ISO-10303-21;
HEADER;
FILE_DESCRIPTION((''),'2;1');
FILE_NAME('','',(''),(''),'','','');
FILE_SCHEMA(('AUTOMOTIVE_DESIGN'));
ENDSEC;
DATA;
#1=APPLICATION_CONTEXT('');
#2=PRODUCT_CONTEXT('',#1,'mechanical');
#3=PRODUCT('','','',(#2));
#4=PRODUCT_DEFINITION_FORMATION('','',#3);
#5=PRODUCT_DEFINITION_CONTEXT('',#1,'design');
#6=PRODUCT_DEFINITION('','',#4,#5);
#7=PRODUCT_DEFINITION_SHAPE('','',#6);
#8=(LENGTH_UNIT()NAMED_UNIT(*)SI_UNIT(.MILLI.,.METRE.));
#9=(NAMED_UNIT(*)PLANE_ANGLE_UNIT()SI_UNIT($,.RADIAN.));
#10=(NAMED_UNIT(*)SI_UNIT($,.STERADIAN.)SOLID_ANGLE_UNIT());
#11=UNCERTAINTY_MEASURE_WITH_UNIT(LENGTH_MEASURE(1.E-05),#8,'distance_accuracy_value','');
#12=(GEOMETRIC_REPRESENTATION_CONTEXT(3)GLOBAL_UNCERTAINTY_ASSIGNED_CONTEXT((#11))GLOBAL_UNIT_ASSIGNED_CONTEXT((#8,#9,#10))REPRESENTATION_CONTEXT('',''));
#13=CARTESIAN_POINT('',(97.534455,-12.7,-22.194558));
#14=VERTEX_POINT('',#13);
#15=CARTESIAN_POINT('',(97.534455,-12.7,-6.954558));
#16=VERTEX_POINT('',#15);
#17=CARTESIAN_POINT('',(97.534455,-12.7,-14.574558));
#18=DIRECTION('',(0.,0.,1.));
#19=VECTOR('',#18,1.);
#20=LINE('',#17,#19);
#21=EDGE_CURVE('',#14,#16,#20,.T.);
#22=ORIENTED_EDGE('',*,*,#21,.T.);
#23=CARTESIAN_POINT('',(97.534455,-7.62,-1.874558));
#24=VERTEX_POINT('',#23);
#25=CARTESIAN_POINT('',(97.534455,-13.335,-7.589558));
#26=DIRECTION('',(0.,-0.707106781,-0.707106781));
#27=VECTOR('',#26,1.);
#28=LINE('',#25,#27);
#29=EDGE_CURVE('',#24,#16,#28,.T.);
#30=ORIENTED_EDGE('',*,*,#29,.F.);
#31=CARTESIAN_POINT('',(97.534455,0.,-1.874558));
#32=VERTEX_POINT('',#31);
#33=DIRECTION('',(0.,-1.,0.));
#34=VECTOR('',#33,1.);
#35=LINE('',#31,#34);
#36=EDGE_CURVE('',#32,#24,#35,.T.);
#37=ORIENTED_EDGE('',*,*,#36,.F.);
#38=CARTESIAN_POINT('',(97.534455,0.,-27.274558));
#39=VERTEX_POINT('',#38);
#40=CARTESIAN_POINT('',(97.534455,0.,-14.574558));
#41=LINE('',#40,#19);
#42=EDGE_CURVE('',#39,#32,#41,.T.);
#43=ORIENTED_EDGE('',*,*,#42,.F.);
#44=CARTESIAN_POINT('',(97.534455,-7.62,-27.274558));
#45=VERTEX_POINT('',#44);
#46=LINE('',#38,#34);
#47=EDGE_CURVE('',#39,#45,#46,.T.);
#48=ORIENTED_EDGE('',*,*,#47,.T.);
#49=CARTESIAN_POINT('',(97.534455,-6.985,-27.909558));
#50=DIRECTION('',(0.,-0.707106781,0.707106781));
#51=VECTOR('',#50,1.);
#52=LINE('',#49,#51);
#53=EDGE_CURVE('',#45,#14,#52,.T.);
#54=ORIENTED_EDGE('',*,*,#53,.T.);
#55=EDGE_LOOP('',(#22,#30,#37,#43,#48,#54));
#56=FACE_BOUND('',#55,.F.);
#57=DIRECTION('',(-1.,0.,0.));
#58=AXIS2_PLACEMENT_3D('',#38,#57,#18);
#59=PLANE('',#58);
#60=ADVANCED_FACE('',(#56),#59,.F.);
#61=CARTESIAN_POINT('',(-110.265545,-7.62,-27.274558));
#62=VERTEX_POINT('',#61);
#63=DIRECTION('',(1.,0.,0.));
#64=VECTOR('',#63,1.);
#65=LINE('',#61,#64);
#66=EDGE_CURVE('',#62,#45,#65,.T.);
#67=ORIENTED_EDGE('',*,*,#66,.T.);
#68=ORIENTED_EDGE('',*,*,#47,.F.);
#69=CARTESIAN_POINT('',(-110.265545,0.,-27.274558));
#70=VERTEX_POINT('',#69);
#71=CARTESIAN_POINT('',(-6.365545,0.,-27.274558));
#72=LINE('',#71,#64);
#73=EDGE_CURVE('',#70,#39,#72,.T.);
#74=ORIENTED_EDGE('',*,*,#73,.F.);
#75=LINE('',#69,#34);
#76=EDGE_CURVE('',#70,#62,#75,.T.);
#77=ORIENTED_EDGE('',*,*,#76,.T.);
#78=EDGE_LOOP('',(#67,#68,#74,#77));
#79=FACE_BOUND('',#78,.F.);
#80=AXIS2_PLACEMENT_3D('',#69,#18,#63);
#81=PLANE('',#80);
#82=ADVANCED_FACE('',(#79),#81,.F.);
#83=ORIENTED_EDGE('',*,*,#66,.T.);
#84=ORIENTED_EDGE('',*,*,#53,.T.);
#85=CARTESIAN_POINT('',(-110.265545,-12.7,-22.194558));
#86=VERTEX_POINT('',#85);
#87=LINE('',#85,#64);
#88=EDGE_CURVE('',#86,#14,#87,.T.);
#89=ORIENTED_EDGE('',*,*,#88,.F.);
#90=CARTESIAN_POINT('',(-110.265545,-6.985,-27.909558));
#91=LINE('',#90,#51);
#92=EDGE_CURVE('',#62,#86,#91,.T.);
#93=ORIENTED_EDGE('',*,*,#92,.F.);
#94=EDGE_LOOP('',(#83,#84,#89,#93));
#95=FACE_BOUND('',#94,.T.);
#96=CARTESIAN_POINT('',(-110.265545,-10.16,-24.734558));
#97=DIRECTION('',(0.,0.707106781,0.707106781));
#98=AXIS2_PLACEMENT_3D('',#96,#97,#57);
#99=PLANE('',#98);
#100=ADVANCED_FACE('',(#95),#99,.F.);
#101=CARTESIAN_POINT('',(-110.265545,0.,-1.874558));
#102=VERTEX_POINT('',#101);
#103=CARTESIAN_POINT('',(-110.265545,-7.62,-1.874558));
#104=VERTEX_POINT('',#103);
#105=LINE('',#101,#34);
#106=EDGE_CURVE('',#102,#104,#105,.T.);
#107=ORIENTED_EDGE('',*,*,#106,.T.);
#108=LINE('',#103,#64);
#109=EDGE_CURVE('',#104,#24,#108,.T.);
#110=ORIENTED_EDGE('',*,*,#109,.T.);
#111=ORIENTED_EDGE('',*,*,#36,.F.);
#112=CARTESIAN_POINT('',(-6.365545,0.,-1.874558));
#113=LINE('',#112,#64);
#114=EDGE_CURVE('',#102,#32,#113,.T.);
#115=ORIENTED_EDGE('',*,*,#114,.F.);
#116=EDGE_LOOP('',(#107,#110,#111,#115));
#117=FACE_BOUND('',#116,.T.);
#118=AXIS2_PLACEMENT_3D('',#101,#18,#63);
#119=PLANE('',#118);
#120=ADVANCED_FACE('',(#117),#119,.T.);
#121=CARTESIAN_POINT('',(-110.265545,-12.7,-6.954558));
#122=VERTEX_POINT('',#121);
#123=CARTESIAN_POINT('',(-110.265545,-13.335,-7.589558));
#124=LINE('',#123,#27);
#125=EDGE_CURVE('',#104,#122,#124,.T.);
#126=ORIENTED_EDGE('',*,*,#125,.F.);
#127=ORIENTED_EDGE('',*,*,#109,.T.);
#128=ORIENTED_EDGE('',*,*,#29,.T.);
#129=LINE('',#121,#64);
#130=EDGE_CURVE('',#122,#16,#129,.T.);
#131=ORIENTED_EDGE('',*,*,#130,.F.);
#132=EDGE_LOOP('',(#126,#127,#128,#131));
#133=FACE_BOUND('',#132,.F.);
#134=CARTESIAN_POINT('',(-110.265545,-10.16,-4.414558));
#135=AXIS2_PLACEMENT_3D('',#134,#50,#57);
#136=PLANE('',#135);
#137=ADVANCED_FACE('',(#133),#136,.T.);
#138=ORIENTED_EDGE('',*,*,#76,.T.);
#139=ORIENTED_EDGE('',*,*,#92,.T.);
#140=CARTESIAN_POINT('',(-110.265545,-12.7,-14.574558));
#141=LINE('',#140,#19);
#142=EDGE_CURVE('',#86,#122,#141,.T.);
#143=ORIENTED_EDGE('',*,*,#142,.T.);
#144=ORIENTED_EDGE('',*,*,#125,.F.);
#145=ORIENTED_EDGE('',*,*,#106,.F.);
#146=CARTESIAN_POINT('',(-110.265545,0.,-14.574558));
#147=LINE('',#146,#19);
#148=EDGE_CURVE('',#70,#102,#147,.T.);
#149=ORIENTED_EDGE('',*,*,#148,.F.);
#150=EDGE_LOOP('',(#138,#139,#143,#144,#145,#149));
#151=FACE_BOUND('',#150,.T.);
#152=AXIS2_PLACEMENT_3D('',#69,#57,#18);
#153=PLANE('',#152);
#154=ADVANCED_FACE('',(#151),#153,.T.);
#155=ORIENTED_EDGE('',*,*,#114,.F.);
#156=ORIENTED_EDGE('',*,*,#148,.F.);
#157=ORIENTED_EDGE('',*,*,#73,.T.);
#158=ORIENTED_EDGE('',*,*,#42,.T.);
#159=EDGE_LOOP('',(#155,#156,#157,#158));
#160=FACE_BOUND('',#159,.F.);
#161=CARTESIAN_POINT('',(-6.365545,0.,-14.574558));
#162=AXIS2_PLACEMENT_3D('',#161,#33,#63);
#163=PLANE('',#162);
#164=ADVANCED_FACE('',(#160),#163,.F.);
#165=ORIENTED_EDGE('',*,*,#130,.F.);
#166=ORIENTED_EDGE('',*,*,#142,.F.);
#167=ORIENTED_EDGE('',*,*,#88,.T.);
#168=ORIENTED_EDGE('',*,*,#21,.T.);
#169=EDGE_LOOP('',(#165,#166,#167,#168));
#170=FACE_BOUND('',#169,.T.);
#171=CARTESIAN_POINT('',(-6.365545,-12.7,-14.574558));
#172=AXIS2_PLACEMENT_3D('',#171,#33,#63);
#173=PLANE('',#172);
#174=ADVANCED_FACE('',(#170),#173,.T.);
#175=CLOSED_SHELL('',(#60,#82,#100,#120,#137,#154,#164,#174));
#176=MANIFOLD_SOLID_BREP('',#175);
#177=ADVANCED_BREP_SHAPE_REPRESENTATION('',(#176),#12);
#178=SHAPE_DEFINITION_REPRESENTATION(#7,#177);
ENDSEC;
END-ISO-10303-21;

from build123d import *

# Parameters (mm, degrees)
F0_W     = 207.8
F0_H     = 25.4
F1_DEPTH = 12.7
F2_SIZE  = 5.08


with BuildPart() as f1:
    # F0 (on Front) → F1 (new body)
    with BuildSketch(Plane.XZ):
        with Locations((-6.365545, -14.574558)):
            Rectangle(F0_W, F0_H)
    extrude(amount=F1_DEPTH)

    # F2
    f2_edges = [f1.edges().sort_by_distance(p)[0] for p in [
        (-6.365545, -12.7, -1.874558),
        (-6.365545, -12.7, -27.274558),
    ]]
    chamfer(f2_edges, length=F2_SIZE)


solid = f1.part
